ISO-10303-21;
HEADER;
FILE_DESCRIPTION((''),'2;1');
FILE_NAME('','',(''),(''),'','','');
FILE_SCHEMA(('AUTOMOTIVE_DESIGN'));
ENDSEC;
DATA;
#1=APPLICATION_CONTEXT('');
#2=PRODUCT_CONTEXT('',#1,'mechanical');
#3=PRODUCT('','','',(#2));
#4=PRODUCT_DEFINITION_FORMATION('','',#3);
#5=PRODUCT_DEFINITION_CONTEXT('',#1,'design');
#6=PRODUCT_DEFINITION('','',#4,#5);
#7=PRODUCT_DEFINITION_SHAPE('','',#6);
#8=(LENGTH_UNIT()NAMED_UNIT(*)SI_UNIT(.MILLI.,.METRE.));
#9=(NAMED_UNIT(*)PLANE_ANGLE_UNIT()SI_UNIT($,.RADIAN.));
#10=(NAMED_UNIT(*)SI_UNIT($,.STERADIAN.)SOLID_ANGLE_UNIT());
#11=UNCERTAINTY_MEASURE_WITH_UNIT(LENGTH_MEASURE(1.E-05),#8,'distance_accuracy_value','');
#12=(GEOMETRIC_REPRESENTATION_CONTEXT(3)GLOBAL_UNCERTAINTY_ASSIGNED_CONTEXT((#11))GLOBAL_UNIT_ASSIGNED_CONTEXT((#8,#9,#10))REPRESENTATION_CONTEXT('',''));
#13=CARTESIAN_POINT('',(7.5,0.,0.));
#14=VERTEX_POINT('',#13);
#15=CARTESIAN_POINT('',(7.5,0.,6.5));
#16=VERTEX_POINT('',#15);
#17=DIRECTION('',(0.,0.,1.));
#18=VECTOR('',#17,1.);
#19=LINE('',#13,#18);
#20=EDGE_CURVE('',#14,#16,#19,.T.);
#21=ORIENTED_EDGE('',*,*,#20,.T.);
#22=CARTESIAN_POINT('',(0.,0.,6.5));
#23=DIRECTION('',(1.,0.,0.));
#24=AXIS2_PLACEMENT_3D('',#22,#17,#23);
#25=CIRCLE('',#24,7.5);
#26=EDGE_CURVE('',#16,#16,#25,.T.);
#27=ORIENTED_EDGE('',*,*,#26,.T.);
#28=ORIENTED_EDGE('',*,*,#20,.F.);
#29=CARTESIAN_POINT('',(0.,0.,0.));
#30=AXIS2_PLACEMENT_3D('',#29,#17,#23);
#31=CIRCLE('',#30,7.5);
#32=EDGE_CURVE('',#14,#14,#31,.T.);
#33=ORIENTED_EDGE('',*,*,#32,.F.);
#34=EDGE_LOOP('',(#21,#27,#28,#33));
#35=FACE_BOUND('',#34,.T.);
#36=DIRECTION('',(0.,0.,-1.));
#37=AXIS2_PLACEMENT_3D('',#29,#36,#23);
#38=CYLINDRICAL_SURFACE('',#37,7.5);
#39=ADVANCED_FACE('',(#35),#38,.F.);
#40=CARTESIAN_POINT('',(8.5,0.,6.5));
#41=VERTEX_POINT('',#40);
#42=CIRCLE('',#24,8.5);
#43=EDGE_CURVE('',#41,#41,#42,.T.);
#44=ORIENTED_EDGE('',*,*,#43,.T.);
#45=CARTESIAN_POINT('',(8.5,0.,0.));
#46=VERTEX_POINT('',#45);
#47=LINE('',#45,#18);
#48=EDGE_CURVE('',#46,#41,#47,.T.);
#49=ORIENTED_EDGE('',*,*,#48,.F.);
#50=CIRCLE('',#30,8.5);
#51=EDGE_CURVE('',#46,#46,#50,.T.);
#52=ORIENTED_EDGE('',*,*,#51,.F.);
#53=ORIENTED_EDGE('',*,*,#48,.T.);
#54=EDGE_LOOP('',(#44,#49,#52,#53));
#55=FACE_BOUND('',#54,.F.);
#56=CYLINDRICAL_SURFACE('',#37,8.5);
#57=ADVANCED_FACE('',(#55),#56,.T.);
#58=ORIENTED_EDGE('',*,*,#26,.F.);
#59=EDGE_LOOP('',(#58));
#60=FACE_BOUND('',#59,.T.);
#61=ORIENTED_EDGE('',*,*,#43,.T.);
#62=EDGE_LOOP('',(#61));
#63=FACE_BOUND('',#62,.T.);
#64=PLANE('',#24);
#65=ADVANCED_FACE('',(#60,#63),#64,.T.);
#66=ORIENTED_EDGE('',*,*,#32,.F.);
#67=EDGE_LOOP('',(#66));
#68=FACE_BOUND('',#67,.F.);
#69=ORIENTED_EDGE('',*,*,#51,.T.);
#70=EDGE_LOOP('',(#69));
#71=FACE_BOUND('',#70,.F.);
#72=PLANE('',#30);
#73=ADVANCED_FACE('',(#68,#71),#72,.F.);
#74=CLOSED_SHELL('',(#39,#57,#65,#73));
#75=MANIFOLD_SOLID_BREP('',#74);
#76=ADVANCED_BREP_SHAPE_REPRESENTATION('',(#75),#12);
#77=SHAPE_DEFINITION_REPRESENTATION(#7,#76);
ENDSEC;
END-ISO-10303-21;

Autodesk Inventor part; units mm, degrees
ref_plane "YZ Plane" through (0, 0, 0) normal (1, 0, 0) x (0, 1, 0)
ref_plane "XZ Plane" through (0, 0, 0) normal (0, 1, 0) x (-1, 0, 0)
ref_plane "XY Plane" through (0, 0, 0) normal (0, 0, 1) x (1, 0, 0)
sketch "スケッチ1" plane through (0, 0, 0) normal (0, 0, 1) x (1, 0, 0)
  circle A0 centre (0, 0) radius 7.5
  circle A1 centre (0, 0) radius 8.5
  dimension "d1" = 15
  dimension "d2" = 17
extrude "押し出し1" add sketch "スケッチ1" along normal blind 6.5
properties part number "オイレス　内径15 L=6.5" material "アセタール樹脂、黒"
